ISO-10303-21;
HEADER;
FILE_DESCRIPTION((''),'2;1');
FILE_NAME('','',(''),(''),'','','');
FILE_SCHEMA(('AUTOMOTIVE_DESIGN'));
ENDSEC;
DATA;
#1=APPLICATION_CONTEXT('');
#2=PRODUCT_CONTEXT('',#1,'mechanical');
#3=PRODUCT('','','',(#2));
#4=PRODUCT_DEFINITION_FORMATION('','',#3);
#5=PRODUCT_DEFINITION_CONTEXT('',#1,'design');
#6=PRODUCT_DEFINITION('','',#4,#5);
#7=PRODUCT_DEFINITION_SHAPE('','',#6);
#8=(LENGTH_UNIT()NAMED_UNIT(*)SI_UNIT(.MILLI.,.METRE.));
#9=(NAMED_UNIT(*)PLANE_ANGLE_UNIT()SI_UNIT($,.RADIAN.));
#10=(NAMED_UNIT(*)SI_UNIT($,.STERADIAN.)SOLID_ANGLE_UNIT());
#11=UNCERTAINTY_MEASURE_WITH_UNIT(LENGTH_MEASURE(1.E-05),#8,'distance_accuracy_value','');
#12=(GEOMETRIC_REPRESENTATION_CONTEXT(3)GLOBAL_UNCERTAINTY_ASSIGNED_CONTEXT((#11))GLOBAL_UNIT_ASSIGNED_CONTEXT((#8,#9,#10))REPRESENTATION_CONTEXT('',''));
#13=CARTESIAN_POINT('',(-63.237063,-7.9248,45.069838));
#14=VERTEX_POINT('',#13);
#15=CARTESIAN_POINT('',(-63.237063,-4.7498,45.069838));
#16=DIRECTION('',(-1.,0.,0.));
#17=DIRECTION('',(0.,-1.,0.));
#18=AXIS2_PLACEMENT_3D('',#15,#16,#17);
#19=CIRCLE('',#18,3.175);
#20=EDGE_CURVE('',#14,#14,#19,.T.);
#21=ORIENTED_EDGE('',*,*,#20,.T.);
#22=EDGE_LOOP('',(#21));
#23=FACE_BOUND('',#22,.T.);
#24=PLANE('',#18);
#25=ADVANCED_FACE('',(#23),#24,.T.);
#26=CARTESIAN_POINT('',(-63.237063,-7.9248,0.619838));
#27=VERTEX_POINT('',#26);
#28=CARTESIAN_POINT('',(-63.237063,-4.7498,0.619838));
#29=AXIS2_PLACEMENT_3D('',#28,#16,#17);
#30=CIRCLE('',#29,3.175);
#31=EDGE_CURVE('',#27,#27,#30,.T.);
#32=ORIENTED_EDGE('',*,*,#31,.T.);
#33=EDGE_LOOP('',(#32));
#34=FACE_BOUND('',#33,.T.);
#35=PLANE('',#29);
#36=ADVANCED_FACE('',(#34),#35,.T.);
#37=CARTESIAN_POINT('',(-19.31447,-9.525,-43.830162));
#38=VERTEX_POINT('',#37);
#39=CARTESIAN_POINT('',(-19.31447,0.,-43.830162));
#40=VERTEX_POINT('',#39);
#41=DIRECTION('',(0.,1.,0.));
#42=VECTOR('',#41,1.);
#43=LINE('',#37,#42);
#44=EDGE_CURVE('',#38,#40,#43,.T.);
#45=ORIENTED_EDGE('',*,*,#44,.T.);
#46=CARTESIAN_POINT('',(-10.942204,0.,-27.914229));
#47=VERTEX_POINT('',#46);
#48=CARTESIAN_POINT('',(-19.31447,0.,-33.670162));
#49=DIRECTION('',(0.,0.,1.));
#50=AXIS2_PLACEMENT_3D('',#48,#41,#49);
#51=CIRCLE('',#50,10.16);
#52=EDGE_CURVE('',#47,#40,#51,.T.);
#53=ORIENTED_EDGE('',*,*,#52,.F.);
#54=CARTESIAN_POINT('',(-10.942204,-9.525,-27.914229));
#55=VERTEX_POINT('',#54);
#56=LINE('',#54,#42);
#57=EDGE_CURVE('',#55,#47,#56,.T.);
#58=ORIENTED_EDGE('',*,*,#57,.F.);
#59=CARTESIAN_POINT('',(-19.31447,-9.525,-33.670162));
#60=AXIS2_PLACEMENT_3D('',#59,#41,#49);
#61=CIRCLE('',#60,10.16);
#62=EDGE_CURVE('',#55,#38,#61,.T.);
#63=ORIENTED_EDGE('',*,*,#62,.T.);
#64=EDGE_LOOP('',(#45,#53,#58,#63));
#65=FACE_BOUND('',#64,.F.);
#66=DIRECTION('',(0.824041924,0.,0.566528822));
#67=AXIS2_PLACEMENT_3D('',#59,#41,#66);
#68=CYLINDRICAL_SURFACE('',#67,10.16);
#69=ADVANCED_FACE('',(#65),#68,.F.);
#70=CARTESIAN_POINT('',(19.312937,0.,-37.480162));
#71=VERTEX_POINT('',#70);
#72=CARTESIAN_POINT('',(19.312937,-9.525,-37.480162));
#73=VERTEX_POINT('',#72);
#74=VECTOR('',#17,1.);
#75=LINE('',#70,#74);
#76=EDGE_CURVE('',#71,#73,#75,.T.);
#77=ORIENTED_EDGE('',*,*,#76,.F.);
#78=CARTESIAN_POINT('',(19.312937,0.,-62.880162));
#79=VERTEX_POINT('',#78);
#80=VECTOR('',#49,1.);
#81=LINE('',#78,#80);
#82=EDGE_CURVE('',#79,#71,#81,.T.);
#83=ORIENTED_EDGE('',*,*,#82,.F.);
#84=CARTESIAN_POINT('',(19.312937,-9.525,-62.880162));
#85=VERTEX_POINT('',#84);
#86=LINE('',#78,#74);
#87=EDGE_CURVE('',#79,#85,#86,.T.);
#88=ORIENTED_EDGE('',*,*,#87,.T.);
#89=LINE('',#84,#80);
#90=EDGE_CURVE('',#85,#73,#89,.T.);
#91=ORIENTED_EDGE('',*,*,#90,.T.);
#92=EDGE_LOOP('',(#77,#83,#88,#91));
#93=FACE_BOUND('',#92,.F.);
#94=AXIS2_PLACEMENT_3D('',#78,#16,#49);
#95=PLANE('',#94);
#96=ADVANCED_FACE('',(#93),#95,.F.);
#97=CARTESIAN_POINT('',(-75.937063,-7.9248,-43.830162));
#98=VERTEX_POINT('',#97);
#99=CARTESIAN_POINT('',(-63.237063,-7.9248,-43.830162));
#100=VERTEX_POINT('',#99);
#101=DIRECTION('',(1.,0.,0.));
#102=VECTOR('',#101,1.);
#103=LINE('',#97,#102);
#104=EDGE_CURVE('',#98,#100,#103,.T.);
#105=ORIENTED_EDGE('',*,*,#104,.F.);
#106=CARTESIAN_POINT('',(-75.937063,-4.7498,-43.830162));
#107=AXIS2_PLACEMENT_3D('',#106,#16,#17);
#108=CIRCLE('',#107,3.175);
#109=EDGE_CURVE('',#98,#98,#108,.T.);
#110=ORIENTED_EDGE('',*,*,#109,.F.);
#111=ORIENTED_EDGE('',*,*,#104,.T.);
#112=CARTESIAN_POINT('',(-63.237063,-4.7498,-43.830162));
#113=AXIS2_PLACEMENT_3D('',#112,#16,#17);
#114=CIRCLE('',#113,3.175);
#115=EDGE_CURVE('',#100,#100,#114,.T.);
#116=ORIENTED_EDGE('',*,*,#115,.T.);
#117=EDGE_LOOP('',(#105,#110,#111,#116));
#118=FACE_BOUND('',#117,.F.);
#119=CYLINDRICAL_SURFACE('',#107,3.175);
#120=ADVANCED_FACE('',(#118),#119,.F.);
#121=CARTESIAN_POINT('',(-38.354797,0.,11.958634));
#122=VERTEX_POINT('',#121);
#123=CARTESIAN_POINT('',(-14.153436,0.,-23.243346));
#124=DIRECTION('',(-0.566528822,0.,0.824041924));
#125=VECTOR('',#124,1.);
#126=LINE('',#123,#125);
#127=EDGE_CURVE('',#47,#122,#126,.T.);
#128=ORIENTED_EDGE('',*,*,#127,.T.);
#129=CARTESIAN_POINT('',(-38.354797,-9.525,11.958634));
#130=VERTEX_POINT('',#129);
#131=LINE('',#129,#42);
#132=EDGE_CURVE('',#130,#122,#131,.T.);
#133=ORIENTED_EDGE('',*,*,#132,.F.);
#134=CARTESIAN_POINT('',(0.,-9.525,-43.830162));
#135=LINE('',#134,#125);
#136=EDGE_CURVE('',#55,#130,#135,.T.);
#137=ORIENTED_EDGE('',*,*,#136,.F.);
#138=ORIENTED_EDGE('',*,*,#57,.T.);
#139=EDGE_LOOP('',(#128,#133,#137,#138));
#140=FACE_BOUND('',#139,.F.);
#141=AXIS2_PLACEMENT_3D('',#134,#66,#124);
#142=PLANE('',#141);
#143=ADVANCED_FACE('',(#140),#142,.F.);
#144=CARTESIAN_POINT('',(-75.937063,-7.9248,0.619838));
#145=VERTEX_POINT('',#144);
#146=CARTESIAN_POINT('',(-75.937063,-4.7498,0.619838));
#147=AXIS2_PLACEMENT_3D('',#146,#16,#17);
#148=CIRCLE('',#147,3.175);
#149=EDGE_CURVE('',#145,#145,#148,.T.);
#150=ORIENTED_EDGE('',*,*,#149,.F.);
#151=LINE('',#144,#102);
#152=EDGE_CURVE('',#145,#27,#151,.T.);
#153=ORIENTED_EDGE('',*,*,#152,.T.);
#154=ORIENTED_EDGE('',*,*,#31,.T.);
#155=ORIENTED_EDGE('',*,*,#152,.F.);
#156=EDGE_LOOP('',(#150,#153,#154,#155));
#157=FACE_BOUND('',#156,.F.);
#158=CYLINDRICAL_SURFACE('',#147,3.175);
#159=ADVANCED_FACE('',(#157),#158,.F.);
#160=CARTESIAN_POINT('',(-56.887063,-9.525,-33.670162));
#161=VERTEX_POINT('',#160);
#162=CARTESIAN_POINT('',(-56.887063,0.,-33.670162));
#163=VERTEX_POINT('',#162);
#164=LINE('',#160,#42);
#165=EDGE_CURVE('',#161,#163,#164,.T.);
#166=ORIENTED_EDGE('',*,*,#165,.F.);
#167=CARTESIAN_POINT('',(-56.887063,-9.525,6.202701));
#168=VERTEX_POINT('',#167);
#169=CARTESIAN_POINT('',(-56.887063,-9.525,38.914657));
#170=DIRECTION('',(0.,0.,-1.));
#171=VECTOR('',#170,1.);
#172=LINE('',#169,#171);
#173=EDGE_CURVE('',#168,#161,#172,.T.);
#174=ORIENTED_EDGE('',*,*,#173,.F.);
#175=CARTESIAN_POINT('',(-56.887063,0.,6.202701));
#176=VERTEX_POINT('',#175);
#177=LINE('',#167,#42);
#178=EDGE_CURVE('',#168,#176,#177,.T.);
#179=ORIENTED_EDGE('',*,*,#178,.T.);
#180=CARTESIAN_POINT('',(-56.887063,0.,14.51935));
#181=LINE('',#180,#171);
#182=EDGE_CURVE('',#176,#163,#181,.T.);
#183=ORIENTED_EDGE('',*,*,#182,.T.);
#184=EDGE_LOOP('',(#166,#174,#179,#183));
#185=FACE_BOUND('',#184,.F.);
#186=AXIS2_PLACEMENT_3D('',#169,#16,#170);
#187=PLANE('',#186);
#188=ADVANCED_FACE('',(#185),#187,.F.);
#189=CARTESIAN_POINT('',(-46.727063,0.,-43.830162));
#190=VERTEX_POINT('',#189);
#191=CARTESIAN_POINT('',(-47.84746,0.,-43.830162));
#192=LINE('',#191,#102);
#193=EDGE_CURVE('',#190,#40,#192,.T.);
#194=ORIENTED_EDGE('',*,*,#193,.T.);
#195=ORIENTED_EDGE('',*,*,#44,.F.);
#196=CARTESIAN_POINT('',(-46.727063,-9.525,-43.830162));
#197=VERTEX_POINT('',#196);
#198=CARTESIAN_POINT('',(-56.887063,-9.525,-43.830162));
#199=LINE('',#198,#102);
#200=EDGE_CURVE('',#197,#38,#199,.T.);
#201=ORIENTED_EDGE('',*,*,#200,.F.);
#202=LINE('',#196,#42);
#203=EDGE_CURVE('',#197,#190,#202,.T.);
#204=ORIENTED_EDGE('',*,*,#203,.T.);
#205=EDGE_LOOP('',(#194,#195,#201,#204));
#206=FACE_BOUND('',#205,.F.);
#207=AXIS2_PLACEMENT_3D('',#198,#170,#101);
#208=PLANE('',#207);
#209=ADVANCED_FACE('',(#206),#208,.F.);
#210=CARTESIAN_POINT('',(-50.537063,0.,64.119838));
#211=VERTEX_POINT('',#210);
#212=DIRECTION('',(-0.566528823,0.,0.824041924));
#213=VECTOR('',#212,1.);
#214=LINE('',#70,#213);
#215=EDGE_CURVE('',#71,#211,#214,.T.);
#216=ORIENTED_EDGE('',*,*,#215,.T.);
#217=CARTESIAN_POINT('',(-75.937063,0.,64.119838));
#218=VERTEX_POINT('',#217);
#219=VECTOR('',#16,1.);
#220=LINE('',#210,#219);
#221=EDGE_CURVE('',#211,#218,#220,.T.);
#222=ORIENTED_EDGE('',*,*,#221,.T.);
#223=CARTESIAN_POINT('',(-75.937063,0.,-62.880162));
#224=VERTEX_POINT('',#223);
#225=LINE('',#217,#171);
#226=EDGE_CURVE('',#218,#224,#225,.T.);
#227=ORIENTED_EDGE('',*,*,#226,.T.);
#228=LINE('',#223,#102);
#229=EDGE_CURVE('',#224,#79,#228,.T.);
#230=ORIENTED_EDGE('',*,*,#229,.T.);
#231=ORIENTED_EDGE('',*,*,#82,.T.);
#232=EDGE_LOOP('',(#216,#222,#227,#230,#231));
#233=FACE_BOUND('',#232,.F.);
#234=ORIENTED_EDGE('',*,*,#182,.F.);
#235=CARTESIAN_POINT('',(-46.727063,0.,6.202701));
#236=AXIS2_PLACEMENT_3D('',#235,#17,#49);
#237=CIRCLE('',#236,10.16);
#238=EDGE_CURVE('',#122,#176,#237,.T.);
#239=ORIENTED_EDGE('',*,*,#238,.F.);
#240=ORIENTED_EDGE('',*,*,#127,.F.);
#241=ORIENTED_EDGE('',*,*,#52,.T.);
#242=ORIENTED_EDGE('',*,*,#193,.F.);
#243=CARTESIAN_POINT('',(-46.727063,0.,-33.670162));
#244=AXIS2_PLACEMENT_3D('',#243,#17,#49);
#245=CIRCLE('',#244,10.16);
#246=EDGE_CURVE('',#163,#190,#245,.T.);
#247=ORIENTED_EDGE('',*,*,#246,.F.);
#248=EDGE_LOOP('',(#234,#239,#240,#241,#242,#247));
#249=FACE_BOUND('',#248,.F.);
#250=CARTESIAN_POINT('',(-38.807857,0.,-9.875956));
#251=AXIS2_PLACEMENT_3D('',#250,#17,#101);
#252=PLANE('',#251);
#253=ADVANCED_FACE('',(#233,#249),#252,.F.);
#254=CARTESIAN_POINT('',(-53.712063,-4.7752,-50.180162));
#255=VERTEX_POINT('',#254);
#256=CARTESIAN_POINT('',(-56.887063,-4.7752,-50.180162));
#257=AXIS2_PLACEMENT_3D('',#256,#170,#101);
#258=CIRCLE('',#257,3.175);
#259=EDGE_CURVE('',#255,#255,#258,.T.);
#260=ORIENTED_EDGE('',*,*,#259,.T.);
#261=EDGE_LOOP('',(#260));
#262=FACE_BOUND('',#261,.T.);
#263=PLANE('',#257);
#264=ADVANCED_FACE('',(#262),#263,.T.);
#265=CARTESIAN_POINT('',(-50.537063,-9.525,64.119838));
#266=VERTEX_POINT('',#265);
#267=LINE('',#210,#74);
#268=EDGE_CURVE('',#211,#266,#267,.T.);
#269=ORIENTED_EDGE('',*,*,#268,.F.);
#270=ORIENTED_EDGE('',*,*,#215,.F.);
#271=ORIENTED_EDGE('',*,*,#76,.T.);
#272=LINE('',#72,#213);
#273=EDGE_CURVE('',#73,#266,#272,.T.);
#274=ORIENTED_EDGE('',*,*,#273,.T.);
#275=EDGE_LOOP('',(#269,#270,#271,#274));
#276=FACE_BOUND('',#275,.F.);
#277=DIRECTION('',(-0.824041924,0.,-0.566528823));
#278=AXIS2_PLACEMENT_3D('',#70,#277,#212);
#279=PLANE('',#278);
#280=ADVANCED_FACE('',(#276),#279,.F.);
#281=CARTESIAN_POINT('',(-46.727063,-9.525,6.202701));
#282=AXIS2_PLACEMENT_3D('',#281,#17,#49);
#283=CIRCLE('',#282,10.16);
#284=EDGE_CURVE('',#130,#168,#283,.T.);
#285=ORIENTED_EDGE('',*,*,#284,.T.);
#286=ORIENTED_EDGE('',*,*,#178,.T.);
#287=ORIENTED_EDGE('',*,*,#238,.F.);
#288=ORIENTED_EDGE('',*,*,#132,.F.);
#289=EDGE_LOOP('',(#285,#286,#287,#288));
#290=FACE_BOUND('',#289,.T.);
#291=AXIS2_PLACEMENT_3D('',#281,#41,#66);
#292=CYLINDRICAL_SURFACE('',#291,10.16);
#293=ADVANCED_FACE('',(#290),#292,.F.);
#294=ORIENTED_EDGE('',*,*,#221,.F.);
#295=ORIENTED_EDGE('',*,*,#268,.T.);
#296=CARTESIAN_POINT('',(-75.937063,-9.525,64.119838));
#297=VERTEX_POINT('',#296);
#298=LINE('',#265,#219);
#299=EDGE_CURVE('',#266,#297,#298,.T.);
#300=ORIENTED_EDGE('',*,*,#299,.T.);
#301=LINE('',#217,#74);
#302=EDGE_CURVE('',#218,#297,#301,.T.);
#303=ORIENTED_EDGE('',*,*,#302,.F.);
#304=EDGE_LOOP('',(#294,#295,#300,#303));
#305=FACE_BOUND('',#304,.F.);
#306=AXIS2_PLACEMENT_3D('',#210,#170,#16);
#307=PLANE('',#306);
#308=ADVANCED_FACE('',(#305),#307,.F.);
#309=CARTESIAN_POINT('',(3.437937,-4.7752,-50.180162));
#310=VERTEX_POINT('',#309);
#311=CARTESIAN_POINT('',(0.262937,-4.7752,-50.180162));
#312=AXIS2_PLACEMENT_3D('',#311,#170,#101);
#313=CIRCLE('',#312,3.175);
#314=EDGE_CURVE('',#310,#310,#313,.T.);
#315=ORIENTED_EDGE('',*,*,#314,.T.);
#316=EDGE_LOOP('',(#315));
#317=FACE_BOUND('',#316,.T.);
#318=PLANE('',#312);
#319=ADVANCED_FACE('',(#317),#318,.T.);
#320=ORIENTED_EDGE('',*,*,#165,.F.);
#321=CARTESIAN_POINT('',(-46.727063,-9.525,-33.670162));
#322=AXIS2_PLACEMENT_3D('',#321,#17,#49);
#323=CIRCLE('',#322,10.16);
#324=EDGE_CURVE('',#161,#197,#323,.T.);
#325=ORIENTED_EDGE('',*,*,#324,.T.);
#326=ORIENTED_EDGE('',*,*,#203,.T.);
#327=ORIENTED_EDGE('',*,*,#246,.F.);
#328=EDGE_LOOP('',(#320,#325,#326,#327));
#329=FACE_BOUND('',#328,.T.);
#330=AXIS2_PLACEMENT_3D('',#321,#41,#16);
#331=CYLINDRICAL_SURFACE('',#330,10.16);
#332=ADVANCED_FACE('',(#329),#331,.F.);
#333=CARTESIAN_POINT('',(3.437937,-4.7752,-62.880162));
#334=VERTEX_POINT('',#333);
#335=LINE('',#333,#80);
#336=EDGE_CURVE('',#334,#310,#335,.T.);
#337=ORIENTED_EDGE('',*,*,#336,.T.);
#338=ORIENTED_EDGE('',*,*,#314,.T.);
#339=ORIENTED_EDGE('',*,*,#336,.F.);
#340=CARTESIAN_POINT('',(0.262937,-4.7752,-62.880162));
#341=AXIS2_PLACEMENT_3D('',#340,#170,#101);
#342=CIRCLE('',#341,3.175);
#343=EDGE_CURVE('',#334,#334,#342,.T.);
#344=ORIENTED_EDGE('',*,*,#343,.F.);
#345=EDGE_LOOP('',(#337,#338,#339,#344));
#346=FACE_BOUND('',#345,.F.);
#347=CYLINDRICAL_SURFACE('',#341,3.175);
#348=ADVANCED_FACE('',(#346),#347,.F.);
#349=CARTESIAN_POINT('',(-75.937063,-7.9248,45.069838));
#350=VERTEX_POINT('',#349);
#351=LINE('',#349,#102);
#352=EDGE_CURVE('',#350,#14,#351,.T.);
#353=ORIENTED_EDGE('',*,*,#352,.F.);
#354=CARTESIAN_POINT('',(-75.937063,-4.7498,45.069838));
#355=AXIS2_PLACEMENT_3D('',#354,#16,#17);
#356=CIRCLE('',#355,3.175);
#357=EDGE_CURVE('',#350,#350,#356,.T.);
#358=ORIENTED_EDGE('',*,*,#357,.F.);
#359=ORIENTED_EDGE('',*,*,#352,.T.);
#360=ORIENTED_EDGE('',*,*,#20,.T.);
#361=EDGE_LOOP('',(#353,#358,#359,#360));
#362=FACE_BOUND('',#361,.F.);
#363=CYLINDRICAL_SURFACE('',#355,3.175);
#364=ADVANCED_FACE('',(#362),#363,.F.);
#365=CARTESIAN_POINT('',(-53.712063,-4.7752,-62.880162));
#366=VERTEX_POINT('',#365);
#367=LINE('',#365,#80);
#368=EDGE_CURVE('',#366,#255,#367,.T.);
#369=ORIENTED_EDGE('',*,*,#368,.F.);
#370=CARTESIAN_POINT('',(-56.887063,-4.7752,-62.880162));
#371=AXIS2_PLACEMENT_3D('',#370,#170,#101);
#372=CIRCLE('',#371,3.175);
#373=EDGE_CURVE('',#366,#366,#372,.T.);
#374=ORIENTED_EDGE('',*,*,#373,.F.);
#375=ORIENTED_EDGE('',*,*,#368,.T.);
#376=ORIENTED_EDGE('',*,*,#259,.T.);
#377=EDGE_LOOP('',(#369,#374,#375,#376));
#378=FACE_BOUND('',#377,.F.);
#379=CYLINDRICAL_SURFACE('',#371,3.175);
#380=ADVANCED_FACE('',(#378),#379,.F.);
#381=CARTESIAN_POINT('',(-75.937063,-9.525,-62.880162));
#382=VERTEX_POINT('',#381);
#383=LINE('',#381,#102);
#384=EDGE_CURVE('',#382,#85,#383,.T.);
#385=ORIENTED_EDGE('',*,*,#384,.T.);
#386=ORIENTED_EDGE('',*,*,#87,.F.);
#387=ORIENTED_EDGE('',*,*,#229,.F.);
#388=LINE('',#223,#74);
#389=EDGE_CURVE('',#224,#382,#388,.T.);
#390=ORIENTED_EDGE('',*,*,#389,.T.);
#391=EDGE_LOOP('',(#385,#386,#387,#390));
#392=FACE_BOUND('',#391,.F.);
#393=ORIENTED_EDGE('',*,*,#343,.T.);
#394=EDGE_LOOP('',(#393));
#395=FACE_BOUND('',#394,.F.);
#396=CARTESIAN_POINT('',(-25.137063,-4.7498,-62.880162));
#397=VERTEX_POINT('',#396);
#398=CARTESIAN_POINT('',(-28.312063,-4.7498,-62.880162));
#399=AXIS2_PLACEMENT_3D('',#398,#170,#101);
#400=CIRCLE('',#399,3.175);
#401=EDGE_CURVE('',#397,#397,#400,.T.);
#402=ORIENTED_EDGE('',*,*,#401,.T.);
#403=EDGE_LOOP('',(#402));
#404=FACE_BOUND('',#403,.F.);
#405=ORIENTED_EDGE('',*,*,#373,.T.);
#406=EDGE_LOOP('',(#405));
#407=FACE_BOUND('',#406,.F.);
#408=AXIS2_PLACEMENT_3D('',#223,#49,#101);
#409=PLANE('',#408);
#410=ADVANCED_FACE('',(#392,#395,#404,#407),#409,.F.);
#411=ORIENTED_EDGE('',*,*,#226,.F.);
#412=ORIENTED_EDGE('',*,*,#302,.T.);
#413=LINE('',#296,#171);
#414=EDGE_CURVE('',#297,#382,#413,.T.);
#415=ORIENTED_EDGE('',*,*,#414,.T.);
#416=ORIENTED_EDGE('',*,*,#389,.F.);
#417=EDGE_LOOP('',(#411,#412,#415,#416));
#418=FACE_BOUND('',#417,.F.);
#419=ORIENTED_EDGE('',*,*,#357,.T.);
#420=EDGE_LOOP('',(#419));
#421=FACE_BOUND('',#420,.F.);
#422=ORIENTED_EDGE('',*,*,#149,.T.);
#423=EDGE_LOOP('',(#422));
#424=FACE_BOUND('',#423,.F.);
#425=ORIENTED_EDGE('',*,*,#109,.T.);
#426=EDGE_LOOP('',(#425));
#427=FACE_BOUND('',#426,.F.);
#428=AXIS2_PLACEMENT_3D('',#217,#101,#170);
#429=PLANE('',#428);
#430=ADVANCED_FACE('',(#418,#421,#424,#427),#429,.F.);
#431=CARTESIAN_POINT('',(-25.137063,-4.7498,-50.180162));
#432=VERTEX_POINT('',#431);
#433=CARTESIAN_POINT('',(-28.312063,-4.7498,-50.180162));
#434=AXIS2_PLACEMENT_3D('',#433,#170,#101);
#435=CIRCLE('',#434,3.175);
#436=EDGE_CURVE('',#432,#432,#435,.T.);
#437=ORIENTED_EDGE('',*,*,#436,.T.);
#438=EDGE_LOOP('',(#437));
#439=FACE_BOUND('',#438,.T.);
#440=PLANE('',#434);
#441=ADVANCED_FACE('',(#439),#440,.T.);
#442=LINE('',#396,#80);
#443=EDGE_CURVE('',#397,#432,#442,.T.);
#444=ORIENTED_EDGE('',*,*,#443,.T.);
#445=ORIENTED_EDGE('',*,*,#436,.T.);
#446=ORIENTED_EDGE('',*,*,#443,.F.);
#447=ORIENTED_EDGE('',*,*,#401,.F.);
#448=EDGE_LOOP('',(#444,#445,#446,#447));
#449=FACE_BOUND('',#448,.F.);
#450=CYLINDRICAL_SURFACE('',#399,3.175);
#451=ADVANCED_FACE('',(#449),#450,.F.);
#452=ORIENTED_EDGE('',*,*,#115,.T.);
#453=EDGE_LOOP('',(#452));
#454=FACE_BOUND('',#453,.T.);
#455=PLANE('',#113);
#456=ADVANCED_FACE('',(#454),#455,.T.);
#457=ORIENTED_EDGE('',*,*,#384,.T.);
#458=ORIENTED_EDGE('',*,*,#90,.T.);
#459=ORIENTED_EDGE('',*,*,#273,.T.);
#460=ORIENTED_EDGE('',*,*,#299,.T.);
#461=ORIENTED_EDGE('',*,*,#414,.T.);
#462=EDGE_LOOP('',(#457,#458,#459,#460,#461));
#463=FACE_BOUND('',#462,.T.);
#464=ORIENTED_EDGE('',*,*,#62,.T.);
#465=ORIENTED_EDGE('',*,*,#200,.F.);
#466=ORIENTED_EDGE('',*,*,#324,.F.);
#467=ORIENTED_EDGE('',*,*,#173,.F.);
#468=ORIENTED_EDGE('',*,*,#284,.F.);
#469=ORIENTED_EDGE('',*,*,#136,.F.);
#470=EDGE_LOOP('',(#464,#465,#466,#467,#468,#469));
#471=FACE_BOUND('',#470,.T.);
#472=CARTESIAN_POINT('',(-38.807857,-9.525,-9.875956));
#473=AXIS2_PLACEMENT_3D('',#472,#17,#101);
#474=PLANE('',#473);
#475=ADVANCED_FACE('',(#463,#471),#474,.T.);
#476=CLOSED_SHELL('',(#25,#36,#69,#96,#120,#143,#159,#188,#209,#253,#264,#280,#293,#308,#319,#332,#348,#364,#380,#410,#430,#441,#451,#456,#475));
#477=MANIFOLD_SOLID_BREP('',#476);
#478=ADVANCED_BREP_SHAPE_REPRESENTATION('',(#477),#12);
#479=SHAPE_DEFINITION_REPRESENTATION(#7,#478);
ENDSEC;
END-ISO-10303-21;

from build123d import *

# Parameters (mm, degrees)
F1_DEPTH = 9.525
F3_DEPTH = 9.526
F4_R     = 10.16
F5_R     = 3.175
F6_DEPTH = 12.7
F7_R     = 3.175
F8_DEPTH = 12.7


with BuildPart() as f1:
    # F0 (on Front) → F1 (new body)
    with BuildSketch(Plane.XZ):
        Polygon((-50.537063, 64.119838), (-75.937063, 64.119838), (-75.937063, -62.880162), (19.312937, -62.880162), (19.312937, -37.480162), align=None)
    extrude(amount=F1_DEPTH)

    # F2 (on face) → F3 (cut, through all)
    with BuildSketch(Plane.XZ.offset(9.525)):
        Polygon((0, -43.830162), (-56.887063, 38.914657), (-56.887063, -43.830162), align=None)
    extrude(amount=-F3_DEPTH, mode=Mode.SUBTRACT)

    # F4
    f4_edges = [f1.edges().sort_by_distance(p)[0] for p in [
        (-56.887063, -4.7625, -43.830162),
        (0, -4.7625, -43.830162),
        (-56.887063, -4.7625, 38.914657),
    ]]
    fillet(f4_edges, radius=F4_R)

    # F5 (on face) → F6 (cut)
    with BuildSketch(Plane(origin=(0, 0, -62.880162), x_dir=(1, 0, 0), z_dir=(0, 0, -1))):
        with Locations((-56.887063, 4.7752)):
            Circle(F5_R)
        with Locations((-28.312063, 4.7498)):
            Circle(F5_R)
        with Locations((0.262937, 4.7752)):
            Circle(F5_R)
    extrude(amount=-F6_DEPTH, mode=Mode.SUBTRACT)

    # F7 (on face) → F8 (cut)
    with BuildSketch(Plane(origin=(-75.937063, 0, 0), x_dir=(0, -1, 0), z_dir=(-1, 0, 0))):
        with Locations((4.7498, 45.069838)):
            Circle(F7_R)
        with Locations((4.7498, 0.619838)):
            Circle(F7_R)
        with Locations((4.7498, -43.830162)):
            Circle(F7_R)
    extrude(amount=-F8_DEPTH, mode=Mode.SUBTRACT)


solid = f1.part
